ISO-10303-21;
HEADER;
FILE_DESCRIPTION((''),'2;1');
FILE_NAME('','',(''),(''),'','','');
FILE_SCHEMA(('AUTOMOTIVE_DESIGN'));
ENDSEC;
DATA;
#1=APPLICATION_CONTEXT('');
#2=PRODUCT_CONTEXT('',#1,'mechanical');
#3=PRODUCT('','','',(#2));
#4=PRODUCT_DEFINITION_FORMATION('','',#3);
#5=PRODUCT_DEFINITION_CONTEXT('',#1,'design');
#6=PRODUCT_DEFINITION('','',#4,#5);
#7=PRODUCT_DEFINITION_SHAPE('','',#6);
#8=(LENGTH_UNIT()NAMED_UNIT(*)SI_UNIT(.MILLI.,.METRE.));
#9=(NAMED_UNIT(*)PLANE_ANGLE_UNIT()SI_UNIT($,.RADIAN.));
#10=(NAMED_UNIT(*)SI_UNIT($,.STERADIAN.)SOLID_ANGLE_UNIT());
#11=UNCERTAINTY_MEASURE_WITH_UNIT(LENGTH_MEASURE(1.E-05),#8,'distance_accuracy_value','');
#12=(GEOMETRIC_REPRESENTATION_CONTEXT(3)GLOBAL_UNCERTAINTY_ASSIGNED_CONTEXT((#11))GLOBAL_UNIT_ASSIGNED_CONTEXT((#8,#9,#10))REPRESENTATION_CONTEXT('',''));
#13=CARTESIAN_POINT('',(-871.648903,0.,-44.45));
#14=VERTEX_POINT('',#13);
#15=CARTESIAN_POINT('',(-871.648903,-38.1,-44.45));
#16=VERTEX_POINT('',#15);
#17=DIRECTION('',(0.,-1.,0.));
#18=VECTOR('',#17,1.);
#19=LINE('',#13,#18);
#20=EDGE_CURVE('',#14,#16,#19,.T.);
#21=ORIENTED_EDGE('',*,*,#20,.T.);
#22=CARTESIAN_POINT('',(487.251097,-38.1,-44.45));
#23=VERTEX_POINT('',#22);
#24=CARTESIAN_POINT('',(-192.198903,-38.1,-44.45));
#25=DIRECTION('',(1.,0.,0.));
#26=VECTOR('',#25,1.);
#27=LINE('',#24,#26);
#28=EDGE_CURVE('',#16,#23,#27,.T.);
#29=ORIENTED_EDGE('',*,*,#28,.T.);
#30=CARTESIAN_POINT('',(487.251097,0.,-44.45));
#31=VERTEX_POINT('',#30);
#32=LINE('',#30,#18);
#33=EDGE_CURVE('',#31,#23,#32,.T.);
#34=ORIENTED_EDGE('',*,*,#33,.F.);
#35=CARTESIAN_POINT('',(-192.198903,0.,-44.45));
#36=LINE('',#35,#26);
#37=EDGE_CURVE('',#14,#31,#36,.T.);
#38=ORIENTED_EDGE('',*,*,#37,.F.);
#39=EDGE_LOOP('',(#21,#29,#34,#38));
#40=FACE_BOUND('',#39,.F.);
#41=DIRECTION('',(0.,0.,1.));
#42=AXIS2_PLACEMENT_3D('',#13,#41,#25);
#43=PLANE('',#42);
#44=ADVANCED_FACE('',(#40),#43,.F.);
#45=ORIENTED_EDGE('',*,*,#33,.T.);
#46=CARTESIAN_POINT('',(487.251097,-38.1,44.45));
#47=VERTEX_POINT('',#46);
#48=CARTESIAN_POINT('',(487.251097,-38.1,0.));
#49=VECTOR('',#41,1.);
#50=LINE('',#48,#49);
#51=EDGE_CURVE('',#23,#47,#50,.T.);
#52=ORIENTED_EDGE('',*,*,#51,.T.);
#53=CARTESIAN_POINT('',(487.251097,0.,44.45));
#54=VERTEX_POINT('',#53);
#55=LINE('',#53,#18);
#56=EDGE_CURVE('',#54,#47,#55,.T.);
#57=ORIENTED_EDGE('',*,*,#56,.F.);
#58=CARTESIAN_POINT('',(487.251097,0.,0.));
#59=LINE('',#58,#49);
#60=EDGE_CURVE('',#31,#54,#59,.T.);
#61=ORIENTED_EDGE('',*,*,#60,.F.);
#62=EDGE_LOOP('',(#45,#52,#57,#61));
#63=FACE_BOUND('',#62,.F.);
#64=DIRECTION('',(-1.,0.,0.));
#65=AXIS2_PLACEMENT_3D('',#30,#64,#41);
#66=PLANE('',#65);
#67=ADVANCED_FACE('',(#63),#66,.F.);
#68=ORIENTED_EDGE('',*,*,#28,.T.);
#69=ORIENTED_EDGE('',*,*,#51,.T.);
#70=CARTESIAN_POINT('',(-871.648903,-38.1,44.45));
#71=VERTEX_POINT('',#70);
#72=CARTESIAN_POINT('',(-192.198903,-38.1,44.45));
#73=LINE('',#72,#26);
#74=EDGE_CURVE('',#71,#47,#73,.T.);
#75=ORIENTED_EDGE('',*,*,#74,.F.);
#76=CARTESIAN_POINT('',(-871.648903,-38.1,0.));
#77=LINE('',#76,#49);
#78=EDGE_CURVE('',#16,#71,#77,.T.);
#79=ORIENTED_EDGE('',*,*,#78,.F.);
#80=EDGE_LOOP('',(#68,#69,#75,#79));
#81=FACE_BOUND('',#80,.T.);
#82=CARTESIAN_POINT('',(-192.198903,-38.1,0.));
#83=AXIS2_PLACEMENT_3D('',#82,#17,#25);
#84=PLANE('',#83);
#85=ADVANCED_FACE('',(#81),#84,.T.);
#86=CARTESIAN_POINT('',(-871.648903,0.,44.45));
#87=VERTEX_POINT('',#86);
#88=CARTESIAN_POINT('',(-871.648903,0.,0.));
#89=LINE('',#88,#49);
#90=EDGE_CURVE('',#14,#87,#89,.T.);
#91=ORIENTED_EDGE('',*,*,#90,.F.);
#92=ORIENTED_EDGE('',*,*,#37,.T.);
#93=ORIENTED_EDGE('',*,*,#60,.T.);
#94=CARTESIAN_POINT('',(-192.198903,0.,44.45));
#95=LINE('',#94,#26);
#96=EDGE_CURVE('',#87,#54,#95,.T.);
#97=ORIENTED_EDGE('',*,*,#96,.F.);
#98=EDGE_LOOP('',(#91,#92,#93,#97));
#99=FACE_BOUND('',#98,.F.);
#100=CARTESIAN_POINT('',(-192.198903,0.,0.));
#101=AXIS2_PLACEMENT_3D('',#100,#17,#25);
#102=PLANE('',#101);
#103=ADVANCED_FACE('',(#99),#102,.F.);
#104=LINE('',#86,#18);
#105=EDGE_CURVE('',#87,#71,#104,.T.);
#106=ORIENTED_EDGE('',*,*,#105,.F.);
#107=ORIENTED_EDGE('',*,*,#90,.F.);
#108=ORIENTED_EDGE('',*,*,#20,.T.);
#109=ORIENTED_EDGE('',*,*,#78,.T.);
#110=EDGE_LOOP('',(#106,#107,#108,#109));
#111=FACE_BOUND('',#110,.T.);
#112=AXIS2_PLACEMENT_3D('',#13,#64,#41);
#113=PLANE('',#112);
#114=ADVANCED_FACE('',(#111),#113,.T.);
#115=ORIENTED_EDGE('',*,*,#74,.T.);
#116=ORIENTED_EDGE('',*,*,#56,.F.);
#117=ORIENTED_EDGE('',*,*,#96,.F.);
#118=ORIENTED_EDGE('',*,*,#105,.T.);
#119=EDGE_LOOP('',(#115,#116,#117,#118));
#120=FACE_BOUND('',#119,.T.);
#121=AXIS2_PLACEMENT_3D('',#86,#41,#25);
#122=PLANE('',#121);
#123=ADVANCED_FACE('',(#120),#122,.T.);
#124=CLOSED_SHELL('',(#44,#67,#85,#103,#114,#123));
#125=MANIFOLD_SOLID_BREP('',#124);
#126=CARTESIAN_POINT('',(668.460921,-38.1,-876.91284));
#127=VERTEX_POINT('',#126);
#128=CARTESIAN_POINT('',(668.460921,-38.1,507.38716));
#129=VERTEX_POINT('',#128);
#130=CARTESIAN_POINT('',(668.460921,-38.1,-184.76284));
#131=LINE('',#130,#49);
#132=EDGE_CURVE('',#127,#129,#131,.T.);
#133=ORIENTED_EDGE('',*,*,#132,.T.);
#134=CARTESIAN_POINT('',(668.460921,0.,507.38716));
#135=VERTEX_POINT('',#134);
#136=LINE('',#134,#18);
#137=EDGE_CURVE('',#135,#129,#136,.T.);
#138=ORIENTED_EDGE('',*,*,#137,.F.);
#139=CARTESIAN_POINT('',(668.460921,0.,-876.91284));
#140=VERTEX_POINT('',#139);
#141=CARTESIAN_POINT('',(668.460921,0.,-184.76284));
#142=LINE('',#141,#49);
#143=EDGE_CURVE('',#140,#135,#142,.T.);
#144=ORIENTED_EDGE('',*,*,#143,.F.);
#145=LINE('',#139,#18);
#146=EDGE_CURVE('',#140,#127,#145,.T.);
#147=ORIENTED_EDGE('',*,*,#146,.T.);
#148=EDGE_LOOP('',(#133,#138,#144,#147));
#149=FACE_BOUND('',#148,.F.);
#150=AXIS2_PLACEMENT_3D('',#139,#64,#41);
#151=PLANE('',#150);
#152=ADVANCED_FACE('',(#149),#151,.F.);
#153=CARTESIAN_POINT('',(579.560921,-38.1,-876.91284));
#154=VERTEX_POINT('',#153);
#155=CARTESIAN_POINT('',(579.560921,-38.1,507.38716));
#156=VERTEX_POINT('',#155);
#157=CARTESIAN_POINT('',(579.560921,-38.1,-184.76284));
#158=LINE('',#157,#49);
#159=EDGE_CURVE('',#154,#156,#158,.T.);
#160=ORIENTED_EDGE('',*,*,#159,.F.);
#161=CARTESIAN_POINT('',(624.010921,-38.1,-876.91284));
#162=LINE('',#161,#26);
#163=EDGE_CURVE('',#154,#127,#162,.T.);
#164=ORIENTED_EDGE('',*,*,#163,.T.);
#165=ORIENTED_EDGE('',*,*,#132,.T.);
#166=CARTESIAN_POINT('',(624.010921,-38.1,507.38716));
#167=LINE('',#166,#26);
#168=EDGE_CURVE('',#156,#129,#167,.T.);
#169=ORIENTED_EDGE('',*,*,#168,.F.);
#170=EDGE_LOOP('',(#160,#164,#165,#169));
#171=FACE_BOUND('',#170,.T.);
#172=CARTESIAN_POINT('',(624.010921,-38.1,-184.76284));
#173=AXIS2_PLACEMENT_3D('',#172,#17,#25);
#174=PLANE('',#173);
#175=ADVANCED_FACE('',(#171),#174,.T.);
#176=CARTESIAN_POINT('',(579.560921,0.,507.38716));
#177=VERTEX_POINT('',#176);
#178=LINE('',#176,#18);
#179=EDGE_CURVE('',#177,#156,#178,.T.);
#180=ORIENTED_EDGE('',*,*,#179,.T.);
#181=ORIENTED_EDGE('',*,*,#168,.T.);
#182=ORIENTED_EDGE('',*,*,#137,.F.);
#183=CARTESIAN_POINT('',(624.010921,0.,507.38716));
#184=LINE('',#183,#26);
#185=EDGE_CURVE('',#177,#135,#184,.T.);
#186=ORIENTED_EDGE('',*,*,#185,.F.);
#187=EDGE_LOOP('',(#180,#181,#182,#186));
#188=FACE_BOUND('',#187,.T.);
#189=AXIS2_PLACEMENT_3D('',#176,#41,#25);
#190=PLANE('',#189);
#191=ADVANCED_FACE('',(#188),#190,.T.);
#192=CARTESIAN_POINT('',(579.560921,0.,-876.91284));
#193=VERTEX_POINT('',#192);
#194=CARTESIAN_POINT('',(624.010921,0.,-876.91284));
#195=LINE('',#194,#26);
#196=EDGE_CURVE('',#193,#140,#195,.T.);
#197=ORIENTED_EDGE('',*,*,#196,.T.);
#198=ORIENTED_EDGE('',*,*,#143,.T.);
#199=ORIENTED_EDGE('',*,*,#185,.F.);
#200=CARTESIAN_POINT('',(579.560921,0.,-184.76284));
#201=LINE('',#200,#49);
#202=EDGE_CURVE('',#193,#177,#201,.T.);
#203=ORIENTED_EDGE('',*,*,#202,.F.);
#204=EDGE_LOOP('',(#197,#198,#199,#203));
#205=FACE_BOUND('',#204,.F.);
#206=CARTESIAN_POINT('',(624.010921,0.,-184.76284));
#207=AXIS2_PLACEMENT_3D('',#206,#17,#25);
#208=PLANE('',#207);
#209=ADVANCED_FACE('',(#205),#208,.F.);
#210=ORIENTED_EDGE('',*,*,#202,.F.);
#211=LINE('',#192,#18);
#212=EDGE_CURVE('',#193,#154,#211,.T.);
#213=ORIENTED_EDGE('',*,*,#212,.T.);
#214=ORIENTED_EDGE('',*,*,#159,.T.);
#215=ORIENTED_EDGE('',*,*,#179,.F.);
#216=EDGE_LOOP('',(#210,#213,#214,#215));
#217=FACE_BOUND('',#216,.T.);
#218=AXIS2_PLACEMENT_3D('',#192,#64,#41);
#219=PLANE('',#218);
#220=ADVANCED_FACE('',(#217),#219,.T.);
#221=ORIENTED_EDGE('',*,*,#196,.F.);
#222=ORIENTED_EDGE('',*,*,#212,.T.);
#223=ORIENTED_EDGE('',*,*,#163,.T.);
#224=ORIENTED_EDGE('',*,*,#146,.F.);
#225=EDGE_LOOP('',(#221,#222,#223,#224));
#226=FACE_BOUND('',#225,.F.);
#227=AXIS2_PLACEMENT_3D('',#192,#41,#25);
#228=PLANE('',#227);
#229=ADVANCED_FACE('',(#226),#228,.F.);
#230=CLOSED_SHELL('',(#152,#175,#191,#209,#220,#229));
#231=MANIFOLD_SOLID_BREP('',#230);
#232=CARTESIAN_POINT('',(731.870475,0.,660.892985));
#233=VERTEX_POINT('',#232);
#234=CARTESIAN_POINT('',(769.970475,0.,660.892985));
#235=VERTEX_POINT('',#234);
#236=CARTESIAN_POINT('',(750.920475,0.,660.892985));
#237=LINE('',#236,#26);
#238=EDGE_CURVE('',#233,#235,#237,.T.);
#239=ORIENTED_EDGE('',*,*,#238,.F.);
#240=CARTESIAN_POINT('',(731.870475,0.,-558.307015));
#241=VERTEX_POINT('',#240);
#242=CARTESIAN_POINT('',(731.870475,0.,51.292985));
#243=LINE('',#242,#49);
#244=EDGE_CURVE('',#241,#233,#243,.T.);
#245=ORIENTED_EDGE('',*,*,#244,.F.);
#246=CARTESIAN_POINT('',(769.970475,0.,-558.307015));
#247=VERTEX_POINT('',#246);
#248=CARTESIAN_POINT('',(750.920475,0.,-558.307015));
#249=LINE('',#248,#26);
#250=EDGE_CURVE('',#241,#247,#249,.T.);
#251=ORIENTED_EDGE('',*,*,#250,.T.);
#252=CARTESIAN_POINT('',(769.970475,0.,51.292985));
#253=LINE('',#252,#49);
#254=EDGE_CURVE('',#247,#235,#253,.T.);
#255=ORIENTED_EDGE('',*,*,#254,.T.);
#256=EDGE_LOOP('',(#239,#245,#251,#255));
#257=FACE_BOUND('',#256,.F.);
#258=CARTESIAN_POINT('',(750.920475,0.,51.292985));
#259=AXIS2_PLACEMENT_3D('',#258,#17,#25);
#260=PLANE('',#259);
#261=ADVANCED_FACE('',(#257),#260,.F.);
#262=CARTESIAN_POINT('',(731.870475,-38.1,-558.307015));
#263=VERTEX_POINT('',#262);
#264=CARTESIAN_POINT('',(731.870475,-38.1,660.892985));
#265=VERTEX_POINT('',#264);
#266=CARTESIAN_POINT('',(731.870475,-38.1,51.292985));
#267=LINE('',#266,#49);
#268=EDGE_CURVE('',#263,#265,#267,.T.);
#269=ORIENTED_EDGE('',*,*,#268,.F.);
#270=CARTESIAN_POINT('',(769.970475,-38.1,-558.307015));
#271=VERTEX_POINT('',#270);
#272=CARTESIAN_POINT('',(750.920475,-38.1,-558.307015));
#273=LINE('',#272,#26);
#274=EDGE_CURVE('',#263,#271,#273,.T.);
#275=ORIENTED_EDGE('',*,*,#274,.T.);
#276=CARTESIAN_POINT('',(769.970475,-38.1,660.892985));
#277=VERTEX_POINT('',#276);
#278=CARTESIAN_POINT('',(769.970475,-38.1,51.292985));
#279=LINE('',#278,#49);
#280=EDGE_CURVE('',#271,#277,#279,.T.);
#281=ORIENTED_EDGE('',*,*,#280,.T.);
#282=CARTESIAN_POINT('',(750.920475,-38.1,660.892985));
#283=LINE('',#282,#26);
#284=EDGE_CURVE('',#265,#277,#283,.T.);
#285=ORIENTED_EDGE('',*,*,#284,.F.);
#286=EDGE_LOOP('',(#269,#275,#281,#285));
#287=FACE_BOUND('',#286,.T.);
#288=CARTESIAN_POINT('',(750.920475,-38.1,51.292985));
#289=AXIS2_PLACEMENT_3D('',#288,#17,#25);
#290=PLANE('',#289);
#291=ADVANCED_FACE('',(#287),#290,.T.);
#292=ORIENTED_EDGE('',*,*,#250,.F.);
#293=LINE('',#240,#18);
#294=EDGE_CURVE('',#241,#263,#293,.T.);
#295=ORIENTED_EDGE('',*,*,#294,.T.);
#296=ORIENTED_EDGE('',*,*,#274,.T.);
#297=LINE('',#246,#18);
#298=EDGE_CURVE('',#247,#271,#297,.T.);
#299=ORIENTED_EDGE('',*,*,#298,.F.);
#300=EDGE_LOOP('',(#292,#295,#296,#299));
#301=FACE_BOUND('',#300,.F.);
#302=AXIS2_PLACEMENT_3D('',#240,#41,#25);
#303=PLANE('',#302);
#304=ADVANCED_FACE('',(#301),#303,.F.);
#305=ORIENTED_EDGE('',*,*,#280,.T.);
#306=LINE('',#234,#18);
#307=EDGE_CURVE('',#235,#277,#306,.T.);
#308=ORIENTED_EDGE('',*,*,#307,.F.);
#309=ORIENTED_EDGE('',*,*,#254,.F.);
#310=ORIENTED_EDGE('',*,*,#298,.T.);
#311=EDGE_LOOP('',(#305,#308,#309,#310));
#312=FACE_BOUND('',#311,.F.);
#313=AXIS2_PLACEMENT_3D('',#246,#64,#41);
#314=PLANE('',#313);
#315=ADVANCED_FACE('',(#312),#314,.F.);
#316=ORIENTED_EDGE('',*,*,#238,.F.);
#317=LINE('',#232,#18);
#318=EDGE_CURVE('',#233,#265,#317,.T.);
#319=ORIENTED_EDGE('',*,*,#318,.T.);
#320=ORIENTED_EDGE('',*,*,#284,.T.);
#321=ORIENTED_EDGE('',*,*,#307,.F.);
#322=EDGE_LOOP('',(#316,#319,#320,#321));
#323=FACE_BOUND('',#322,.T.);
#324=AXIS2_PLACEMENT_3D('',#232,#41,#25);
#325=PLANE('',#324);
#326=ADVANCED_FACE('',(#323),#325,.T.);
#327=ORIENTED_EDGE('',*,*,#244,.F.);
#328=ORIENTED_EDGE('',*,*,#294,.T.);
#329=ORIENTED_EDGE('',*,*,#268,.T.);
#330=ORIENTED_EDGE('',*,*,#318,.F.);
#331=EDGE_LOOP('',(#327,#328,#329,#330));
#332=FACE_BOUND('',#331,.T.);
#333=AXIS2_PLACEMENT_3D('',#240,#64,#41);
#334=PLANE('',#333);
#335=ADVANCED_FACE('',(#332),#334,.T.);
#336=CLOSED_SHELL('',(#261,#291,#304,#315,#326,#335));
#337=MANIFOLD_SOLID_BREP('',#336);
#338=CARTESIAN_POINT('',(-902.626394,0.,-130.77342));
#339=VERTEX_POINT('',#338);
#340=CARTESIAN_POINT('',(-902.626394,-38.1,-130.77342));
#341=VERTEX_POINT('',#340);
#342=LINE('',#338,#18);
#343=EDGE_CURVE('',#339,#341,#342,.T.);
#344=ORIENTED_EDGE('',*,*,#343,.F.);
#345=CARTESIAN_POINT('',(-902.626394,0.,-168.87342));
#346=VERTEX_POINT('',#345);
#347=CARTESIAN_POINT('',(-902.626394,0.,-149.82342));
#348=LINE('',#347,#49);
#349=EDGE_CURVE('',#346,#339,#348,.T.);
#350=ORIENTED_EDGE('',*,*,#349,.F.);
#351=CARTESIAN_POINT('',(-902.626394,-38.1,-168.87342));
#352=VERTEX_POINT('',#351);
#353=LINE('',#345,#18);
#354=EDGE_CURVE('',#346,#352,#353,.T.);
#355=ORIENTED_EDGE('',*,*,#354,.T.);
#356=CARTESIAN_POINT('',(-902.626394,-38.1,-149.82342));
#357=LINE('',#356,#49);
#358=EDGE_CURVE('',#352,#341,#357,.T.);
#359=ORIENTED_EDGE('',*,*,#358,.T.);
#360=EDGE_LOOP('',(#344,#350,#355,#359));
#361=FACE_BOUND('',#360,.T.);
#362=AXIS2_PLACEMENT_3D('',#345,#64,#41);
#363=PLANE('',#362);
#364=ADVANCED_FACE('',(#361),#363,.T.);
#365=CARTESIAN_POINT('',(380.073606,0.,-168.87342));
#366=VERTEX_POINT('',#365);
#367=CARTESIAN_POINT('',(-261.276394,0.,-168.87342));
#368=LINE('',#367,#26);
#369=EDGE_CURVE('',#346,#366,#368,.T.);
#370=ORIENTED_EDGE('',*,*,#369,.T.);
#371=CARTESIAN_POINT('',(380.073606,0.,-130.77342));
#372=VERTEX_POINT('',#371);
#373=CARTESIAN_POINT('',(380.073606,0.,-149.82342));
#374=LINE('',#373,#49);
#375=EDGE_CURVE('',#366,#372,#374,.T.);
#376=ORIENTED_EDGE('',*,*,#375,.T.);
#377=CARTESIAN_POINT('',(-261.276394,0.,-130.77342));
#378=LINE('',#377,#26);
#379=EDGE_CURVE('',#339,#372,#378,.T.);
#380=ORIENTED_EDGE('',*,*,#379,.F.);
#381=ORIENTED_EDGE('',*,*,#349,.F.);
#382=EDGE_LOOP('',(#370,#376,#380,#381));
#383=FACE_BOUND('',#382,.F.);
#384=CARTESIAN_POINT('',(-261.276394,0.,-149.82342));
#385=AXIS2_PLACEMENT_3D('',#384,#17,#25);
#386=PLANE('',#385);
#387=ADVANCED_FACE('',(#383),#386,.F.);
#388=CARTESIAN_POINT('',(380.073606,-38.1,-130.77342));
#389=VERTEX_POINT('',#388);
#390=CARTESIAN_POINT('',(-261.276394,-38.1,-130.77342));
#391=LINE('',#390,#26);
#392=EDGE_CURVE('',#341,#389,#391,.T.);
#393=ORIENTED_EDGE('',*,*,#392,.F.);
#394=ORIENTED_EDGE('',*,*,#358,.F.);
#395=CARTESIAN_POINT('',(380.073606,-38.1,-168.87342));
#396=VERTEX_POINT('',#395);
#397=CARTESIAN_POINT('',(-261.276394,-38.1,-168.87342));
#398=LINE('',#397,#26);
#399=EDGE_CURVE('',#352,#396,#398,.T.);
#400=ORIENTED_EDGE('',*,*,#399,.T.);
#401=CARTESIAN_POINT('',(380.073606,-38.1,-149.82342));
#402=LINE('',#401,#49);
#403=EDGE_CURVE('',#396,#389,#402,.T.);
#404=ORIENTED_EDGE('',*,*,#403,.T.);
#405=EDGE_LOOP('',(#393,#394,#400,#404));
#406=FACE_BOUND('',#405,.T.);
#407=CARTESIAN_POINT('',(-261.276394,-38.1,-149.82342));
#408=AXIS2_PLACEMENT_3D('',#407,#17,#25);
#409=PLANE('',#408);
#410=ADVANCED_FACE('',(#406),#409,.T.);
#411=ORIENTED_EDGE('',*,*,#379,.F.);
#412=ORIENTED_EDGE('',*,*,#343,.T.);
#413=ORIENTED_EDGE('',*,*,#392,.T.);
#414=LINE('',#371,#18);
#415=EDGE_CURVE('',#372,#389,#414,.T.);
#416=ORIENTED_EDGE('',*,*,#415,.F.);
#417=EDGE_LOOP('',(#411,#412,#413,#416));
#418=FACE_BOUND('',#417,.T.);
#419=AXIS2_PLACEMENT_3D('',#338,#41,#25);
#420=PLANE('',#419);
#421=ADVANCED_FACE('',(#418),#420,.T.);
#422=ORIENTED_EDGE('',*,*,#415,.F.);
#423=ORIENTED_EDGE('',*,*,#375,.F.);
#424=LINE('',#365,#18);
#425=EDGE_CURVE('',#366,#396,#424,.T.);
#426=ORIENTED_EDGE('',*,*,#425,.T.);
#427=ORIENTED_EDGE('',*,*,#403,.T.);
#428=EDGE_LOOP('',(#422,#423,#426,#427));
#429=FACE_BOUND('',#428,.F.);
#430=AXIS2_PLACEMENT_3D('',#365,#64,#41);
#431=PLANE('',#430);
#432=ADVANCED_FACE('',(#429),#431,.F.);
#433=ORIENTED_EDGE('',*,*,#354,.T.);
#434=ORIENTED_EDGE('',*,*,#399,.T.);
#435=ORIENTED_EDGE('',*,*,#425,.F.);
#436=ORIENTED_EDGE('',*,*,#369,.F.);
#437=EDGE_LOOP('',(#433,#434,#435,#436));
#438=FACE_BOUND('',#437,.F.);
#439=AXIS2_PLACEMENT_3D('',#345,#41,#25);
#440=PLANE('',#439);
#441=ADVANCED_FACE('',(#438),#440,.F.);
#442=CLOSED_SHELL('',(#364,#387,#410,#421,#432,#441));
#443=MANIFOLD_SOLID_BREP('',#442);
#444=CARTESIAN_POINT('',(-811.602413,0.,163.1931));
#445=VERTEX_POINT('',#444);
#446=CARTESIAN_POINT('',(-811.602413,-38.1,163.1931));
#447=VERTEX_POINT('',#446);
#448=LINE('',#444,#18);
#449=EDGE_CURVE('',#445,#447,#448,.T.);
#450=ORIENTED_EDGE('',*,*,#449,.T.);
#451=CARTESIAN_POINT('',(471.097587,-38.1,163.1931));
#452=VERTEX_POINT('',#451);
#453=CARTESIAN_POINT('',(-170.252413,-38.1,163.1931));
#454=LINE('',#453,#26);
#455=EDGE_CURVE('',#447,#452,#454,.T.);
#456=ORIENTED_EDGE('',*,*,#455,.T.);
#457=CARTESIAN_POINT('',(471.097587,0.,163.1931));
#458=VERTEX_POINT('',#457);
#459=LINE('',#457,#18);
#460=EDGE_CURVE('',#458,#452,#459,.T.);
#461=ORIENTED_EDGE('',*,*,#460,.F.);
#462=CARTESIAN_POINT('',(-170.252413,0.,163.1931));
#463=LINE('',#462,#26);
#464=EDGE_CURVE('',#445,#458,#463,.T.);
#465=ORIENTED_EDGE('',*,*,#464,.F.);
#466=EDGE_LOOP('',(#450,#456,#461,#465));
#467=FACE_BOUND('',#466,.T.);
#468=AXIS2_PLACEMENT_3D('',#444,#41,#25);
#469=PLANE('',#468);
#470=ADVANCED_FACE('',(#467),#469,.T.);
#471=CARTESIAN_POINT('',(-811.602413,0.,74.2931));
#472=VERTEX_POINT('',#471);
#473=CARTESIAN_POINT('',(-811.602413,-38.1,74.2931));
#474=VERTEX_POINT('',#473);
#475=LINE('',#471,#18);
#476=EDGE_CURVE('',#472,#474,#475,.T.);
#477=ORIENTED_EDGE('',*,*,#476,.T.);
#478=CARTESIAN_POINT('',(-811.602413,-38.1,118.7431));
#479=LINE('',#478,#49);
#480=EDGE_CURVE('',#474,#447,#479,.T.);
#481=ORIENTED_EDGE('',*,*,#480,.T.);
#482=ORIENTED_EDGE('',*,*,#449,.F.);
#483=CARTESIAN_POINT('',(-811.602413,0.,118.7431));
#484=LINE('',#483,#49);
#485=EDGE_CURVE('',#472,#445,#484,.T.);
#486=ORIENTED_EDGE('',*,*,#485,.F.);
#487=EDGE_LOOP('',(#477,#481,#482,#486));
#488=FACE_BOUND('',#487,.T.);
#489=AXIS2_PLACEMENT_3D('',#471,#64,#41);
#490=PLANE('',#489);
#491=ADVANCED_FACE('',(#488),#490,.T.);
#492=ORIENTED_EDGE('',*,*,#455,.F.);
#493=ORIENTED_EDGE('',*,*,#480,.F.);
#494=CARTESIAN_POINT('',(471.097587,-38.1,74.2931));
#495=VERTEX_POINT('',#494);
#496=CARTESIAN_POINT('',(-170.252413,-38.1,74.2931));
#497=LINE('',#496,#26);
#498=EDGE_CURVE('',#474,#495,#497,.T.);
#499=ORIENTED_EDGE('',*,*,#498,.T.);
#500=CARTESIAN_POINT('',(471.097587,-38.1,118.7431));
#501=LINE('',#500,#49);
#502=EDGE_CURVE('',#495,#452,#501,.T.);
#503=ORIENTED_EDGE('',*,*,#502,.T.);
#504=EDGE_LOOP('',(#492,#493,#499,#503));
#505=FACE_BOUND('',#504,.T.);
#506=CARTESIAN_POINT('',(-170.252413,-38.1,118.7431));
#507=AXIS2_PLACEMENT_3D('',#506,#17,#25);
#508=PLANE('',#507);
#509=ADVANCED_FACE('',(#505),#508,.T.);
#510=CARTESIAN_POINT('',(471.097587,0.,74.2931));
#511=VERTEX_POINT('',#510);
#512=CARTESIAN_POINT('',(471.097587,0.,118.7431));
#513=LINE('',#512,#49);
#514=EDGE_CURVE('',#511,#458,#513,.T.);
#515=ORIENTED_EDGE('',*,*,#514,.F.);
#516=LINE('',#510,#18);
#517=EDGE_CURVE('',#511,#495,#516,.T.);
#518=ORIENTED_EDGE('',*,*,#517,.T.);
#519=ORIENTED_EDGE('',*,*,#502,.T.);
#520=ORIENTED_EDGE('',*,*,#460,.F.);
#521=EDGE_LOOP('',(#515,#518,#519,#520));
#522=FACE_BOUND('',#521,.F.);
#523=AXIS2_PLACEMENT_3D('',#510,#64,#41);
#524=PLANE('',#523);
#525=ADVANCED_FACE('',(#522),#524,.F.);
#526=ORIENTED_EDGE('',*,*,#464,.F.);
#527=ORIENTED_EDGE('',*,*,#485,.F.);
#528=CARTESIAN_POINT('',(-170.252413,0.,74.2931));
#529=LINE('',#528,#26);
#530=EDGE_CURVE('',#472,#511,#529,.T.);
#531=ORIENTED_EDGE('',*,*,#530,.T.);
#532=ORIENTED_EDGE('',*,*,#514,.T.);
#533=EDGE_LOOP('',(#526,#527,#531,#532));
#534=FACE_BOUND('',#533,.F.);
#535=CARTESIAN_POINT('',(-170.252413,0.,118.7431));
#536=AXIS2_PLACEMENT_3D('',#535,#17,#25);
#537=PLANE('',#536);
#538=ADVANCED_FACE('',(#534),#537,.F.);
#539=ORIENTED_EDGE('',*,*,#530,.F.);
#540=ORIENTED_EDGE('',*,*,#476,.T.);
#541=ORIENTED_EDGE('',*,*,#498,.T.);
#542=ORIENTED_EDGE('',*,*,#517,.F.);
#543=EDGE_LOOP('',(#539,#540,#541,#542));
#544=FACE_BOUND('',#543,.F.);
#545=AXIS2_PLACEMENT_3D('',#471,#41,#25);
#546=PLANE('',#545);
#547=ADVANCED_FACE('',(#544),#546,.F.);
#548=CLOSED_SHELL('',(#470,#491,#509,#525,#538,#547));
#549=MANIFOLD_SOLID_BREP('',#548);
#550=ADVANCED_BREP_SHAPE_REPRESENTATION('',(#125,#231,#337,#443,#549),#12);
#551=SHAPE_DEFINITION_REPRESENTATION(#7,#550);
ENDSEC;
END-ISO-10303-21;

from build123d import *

# Parameters (mm, degrees)
F0_W     = 1282.7
F0_H     = 88.9
F3_DEPTH = 38.1
F1_W     = 1358.9
F1_H     = 88.9
F4_DEPTH = 38.1
F2_W     = 88.9
F2_H     = 1384.3
F5_DEPTH = 38.1
F6_W     = 1282.7
F6_H     = 38.1
F8_DEPTH = 38.1
F7_W     = 38.1
F7_H     = 1219.2
F9_DEPTH = 38.1


with BuildPart() as f3:
    # F0 (on Front) → F3 (new body)
    with BuildSketch(Plane.XZ):
        with Locations((-170.252413, 118.7431)):
            Rectangle(F0_W, F0_H)
    extrude(amount=F3_DEPTH)


with BuildPart() as f4:
    # F1 (on Front) → F4 (new body)
    with BuildSketch(Plane.XZ):
        with Locations((-192.198903, 0)):
            Rectangle(F1_W, F1_H)
    extrude(amount=F4_DEPTH)


with BuildPart() as f5:
    # F2 (on Front) → F5 (new body)
    with BuildSketch(Plane.XZ):
        with Locations((624.010921, -184.76284)):
            Rectangle(F2_W, F2_H)
    extrude(amount=F5_DEPTH)


with BuildPart() as f8:
    # F6 (on Front) → F8 (new body)
    with BuildSketch(Plane.XZ):
        with Locations((-261.276394, -149.82342)):
            Rectangle(F6_W, F6_H)
    extrude(amount=F8_DEPTH)


with BuildPart() as f9:
    # F7 (on Front) → F9 (new body)
    with BuildSketch(Plane.XZ):
        with Locations((750.920475, 51.292985)):
            Rectangle(F7_W, F7_H)
    extrude(amount=F9_DEPTH)


solid = Compound([f3.part, f4.part, f5.part, f8.part, f9.part])
